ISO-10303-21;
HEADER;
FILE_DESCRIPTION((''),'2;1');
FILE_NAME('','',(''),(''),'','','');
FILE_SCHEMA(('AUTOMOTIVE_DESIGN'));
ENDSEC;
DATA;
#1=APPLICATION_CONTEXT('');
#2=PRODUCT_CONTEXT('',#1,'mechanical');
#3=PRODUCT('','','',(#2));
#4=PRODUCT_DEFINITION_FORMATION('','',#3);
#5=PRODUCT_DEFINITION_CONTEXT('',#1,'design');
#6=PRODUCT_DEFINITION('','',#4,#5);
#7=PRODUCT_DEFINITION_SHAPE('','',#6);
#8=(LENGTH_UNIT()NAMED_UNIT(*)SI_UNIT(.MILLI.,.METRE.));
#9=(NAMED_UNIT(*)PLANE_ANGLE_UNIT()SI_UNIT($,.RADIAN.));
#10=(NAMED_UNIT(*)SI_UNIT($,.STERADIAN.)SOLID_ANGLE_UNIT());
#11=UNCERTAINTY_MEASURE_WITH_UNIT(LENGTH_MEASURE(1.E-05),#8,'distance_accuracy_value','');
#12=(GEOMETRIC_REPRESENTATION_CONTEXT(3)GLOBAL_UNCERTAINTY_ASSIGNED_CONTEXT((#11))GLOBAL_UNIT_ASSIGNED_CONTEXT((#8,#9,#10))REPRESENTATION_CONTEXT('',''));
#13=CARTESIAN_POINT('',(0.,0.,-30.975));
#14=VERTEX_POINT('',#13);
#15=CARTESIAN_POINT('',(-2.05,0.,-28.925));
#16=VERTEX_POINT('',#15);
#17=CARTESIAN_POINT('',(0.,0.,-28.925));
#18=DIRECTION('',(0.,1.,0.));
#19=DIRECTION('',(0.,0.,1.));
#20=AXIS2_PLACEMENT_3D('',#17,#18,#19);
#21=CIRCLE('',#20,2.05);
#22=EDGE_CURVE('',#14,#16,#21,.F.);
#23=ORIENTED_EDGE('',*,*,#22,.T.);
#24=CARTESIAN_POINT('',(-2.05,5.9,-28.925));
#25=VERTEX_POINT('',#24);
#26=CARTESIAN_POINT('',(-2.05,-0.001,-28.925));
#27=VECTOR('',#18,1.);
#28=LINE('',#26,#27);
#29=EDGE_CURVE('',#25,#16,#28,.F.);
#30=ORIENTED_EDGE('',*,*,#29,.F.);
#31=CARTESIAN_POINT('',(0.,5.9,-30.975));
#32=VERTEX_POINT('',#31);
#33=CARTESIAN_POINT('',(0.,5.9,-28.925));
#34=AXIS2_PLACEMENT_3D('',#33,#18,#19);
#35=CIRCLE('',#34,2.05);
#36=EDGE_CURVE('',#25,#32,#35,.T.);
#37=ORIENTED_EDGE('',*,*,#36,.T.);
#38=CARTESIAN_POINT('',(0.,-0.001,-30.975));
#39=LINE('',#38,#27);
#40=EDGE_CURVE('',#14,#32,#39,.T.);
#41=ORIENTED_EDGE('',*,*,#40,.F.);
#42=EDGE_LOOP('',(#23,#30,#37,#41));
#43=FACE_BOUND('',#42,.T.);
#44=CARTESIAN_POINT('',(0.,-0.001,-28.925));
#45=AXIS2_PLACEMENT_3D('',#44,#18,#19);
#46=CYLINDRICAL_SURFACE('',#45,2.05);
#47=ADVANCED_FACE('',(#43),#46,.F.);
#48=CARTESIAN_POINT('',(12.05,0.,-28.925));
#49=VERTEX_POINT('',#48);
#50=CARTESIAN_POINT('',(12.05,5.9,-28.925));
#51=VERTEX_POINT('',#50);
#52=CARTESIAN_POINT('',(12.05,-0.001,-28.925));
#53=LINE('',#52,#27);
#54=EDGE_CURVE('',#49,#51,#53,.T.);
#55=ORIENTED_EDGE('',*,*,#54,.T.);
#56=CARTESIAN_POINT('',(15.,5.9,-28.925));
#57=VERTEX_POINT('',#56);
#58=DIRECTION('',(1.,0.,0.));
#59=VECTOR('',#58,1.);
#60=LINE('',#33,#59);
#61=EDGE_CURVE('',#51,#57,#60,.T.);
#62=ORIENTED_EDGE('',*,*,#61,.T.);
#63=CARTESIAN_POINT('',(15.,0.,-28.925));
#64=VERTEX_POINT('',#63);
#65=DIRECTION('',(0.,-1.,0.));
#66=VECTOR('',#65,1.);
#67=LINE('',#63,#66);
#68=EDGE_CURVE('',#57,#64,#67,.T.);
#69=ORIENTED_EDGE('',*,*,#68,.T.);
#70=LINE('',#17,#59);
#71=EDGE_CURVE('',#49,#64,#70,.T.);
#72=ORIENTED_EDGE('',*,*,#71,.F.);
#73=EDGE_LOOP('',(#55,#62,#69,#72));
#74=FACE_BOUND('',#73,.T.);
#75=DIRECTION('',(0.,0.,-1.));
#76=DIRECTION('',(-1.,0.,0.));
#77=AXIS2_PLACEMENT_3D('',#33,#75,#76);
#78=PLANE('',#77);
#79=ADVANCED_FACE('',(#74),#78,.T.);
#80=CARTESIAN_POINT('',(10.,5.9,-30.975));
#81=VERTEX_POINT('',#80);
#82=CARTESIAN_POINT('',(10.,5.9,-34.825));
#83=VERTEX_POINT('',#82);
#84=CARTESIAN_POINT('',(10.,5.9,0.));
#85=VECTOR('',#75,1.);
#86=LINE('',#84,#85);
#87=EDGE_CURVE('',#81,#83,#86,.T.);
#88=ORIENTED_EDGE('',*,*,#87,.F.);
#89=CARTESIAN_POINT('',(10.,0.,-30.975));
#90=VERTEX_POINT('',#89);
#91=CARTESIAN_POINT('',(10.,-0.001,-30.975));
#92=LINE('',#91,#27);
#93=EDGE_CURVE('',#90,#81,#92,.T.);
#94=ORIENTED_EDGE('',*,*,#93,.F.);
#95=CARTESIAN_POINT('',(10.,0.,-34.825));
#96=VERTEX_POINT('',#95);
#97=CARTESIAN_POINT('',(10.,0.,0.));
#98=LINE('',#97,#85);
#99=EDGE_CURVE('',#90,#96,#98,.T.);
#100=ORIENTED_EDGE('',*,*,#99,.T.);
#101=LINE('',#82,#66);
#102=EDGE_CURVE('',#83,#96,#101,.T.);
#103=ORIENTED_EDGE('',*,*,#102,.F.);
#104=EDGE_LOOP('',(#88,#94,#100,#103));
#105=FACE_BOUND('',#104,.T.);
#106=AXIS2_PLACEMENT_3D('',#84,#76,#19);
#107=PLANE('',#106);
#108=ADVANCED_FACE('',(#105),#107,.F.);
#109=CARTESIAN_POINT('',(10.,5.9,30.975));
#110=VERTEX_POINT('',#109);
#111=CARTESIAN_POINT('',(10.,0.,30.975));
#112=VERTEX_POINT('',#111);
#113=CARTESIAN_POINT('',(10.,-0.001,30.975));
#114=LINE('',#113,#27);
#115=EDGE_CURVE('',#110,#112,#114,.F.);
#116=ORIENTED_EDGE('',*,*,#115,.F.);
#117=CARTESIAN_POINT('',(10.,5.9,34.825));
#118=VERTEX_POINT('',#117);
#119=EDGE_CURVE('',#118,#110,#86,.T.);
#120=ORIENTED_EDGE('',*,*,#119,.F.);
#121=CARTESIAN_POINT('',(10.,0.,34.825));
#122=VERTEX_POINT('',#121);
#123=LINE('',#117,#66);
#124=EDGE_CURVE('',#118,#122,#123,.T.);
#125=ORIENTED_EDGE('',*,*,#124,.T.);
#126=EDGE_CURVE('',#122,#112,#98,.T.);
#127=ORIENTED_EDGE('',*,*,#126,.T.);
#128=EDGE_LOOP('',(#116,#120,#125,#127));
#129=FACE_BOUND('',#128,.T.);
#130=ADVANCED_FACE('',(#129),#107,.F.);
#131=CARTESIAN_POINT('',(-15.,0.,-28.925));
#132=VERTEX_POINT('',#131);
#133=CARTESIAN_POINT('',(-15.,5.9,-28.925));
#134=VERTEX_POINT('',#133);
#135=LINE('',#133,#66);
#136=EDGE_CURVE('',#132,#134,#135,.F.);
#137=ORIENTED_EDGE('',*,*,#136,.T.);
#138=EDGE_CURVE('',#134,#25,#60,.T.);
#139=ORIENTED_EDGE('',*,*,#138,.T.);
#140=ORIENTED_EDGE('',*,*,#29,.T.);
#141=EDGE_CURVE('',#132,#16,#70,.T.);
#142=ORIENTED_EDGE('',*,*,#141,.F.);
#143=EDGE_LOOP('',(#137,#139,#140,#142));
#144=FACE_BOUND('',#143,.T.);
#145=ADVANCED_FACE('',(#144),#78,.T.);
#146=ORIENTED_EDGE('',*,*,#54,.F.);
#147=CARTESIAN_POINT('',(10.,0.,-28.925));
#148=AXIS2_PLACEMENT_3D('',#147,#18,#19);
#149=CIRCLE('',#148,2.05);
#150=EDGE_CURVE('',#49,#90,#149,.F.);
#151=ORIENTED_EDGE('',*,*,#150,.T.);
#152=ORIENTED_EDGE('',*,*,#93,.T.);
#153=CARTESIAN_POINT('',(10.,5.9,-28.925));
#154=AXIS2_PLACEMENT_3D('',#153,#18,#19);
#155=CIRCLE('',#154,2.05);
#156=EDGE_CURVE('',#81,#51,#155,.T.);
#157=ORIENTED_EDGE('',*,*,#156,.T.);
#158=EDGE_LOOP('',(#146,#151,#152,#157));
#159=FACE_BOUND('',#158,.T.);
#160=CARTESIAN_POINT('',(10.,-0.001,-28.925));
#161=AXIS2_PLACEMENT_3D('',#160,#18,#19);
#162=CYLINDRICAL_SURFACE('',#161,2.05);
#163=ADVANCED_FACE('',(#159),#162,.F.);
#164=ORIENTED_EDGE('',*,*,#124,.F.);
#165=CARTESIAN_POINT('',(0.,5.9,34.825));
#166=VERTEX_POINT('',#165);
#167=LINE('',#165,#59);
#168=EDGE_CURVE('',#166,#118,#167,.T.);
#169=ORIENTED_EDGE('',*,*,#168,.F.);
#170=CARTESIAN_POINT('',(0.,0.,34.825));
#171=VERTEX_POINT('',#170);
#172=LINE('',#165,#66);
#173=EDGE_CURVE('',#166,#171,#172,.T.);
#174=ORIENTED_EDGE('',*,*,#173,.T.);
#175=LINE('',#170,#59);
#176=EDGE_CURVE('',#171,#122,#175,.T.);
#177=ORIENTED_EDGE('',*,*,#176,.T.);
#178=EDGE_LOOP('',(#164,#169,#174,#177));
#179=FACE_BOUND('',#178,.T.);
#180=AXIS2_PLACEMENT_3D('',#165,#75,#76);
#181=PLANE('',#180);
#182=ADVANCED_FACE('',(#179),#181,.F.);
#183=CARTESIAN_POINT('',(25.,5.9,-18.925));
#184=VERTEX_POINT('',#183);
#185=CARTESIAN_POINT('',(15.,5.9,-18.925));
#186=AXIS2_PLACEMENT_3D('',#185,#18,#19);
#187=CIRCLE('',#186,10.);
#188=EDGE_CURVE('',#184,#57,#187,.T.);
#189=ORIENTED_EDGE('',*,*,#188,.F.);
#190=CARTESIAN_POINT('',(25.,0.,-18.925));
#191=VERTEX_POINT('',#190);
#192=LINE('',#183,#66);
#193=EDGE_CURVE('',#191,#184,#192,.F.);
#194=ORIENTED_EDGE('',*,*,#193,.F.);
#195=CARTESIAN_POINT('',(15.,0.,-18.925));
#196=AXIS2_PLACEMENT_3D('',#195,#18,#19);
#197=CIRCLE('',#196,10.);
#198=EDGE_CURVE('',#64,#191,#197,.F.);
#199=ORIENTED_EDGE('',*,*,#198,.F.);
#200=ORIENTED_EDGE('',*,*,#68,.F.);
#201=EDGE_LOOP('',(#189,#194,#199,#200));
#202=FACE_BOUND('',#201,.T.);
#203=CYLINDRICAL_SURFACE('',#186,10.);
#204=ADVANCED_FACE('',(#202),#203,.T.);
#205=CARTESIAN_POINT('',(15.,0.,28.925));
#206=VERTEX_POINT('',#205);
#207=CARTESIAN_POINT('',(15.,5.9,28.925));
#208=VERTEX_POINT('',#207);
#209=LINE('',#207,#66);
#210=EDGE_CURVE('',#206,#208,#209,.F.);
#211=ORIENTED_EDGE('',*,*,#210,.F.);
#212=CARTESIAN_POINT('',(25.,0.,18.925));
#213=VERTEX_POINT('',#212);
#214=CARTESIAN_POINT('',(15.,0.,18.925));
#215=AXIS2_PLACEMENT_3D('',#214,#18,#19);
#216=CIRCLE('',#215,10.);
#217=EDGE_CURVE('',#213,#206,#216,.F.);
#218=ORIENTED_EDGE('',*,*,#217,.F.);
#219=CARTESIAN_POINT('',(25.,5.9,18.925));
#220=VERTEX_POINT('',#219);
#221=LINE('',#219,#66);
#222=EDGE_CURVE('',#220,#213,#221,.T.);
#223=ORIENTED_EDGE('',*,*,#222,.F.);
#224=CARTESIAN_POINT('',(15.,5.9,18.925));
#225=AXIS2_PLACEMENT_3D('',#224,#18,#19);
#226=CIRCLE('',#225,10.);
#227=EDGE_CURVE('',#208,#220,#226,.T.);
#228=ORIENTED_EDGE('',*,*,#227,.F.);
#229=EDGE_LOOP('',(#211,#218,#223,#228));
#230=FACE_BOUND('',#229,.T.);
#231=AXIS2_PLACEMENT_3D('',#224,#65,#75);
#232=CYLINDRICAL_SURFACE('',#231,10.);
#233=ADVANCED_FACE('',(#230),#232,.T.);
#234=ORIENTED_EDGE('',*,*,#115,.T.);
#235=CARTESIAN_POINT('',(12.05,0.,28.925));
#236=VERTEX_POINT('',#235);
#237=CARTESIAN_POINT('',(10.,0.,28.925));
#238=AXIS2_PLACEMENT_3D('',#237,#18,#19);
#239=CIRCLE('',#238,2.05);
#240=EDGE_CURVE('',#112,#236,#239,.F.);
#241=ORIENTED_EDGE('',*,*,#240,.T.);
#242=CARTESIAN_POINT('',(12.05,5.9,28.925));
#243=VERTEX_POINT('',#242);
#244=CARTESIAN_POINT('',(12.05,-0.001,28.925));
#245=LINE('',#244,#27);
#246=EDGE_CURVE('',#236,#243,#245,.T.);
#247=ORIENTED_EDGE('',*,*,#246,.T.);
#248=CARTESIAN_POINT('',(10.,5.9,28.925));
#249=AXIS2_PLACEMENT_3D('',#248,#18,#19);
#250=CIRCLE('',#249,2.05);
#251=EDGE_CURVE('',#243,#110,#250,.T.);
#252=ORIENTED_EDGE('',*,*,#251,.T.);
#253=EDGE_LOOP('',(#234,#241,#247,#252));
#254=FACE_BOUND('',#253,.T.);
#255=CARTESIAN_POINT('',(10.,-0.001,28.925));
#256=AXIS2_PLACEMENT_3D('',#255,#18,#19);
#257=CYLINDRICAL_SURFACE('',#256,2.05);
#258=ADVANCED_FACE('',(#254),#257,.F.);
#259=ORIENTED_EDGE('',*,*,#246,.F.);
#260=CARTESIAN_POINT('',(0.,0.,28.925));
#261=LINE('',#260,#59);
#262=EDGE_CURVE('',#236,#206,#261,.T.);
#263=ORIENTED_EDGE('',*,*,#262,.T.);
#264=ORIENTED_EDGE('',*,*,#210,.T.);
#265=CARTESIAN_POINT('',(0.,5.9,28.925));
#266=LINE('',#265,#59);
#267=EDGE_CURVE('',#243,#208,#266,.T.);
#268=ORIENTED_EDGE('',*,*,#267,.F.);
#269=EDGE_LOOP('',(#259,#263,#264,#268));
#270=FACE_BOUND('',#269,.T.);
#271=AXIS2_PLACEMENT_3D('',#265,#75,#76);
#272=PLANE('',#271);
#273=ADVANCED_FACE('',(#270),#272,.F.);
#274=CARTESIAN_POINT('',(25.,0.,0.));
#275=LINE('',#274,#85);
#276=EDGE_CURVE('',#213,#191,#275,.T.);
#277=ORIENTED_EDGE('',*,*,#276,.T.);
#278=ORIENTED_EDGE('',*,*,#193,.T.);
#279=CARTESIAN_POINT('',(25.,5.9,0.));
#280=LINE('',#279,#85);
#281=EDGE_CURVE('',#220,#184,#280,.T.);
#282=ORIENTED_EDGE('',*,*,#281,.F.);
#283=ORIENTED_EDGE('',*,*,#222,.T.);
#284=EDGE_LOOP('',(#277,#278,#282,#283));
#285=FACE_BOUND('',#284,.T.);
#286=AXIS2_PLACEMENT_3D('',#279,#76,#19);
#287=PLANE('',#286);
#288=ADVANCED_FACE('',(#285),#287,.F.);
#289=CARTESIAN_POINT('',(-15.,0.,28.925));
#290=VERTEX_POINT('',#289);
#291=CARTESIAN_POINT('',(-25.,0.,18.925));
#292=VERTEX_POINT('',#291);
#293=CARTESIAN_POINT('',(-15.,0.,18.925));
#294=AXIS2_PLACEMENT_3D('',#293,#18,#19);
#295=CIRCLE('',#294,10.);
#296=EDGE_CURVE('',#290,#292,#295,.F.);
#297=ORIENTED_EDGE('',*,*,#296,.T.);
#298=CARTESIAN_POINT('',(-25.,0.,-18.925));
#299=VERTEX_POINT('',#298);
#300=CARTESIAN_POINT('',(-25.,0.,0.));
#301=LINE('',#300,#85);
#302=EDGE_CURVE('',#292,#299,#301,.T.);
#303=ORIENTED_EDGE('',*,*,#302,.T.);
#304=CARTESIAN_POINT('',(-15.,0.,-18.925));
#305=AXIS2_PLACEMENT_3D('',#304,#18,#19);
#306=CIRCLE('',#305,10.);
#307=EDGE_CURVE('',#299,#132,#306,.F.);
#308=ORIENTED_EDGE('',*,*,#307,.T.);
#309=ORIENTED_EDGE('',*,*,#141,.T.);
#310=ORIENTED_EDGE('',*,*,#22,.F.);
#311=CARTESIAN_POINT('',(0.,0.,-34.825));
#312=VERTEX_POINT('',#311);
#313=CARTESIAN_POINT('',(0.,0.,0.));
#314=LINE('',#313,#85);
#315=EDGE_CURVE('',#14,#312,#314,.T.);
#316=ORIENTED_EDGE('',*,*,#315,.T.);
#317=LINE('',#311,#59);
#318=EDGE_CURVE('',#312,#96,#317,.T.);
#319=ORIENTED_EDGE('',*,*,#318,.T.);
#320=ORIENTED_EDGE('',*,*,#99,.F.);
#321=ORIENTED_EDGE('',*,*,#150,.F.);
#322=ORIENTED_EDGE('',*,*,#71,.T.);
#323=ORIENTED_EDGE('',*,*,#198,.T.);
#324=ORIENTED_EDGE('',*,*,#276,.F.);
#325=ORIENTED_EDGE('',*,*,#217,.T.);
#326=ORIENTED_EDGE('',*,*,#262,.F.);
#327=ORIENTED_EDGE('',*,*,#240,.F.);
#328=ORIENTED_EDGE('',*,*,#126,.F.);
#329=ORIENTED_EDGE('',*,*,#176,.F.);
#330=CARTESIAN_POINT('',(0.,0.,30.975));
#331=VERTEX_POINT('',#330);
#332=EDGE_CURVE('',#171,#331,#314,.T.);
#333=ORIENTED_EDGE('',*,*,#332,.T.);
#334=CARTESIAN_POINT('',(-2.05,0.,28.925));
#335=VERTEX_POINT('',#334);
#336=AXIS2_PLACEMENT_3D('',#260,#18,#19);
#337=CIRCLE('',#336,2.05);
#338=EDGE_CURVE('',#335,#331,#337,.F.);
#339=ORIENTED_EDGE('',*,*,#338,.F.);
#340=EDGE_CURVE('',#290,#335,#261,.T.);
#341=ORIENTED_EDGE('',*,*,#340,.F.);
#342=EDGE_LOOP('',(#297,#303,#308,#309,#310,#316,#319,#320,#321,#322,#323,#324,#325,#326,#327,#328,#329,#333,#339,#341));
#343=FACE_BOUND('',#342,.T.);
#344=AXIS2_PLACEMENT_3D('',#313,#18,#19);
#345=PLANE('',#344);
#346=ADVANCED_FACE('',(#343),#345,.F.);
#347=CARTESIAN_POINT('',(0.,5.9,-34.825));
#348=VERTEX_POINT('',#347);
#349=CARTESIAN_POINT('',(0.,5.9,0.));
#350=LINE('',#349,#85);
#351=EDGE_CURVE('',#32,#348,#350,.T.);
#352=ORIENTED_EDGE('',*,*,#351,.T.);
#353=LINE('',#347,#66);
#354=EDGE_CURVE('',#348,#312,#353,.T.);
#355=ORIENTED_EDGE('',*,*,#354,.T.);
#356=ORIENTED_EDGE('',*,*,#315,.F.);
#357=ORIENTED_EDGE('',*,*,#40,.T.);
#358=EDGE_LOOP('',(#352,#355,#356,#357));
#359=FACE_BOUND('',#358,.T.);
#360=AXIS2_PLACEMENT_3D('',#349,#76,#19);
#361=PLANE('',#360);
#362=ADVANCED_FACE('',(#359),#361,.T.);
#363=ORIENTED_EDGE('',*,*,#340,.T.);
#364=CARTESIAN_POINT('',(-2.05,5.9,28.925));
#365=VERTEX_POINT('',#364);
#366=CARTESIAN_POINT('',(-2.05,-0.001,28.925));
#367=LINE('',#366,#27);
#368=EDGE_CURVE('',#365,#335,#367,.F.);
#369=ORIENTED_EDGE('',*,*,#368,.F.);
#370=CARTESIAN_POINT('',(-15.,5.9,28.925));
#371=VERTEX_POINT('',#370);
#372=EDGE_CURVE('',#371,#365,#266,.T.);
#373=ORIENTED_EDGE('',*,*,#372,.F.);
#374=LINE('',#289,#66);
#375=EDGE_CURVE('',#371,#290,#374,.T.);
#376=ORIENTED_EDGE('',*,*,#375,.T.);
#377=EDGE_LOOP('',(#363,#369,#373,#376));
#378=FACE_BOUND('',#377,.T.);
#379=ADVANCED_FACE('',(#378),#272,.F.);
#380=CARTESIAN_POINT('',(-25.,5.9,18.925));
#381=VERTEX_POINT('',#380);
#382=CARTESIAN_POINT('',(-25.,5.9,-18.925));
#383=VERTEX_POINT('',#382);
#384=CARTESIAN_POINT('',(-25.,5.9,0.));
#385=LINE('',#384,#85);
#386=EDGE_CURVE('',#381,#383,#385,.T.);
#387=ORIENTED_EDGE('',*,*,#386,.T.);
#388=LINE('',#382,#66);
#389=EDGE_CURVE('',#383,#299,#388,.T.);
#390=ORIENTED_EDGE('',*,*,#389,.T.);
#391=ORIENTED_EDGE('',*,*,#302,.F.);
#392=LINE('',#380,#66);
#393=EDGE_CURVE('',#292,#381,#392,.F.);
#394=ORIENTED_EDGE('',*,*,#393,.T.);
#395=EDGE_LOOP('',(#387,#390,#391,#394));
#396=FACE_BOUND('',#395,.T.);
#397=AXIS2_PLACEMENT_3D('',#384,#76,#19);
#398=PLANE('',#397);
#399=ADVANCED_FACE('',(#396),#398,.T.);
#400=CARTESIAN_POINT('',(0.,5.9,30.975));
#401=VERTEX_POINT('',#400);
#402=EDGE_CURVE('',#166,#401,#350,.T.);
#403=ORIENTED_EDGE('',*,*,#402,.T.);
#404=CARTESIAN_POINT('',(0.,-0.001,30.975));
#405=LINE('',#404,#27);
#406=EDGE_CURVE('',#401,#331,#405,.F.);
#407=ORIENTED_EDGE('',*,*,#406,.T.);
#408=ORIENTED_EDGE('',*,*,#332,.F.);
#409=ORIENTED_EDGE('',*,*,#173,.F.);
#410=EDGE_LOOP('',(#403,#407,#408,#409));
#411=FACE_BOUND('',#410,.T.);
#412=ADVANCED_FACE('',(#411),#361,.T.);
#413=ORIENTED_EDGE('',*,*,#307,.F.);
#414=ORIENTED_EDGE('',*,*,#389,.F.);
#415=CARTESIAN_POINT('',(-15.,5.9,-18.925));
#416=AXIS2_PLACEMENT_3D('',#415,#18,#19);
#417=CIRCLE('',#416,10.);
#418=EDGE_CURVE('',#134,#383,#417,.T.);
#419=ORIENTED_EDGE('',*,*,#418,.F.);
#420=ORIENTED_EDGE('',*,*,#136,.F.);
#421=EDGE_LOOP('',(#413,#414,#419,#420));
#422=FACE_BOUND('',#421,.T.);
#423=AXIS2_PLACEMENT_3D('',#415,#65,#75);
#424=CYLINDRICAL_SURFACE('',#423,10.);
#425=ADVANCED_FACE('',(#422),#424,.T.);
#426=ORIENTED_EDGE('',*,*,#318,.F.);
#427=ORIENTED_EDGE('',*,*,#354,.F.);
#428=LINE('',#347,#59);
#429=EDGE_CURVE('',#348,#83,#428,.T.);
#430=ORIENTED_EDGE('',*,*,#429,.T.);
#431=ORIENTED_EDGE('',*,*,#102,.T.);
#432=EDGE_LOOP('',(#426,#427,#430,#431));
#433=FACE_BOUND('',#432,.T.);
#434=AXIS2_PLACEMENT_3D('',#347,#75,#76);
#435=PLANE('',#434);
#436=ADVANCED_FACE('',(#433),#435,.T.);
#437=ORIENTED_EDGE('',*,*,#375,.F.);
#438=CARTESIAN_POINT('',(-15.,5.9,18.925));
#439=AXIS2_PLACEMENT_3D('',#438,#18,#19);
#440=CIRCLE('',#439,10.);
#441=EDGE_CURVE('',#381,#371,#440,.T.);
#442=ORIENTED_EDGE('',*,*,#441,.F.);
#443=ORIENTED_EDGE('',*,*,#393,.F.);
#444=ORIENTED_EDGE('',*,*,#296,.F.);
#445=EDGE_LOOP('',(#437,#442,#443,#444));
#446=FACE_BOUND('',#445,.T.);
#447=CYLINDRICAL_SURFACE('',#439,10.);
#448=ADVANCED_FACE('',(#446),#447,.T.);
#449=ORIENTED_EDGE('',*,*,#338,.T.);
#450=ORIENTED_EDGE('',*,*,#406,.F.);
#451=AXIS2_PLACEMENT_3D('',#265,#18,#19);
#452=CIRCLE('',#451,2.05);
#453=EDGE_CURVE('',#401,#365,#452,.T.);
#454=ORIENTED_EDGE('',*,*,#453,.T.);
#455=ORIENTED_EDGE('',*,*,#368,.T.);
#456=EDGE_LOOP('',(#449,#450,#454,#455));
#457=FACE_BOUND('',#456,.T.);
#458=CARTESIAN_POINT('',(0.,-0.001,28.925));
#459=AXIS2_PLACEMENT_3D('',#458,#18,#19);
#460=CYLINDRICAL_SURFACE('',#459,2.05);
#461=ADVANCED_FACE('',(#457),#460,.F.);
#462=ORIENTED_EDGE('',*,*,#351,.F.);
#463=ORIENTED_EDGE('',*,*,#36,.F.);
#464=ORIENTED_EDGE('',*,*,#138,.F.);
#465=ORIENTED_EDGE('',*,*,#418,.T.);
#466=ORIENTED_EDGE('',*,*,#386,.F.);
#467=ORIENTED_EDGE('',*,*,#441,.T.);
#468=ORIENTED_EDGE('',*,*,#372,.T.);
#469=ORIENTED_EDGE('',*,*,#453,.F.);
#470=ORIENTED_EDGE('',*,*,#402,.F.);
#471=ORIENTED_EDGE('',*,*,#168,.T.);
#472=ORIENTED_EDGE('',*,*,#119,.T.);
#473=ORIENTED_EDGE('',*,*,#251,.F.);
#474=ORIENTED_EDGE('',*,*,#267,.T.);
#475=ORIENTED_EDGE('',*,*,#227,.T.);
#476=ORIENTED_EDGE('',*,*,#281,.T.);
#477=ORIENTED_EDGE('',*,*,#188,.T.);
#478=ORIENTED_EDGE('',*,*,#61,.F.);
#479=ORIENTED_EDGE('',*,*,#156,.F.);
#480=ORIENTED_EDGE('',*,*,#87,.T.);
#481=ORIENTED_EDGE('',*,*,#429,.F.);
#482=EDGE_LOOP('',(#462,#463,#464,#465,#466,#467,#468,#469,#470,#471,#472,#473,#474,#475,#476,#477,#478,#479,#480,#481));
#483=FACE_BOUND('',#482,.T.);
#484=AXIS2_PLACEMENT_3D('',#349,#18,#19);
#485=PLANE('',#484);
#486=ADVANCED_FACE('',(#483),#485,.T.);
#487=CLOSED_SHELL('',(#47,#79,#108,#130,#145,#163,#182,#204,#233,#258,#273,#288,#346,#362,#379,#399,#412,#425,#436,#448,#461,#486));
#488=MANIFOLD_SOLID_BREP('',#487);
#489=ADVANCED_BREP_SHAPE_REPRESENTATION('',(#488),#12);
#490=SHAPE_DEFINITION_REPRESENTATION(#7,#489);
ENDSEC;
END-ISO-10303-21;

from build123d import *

# Parameters (mm, degrees)
SKETCH1_W           = 10
SKETCH1_H           = 5.9
BOSS_EXTRUDE1_DEPTH = 5.9
FILLET1_R           = 10
CUT_EXTRUDE1_REACH  = 7.9
SKETCH2_R           = 2.05


with BuildPart() as part:
    # Sketch1 → Boss-Extrude1 (new body)
    with BuildSketch(Plane(origin=(0, 0, 0), x_dir=(1, 0, 0), z_dir=(0, 1, 0))):
        Polygon((-25, 28.925), (-25, -28.925), (0, -28.925), (0, -23.025), (10, -23.025), (10, -28.925), (25, -28.925), (25, 28.925), (10, 28.925), (10, 23.025), (0, 23.025), (0, 28.925), align=None)
        with Locations((5, -25.975)):
            Rectangle(SKETCH1_W, SKETCH1_H)
        with Locations((5, -31.875)):
            Rectangle(SKETCH1_W, SKETCH1_H)
        with Locations((5, 25.975)):
            Rectangle(SKETCH1_W, SKETCH1_H)
        with Locations((5, 31.875)):
            Rectangle(SKETCH1_W, SKETCH1_H)
    extrude(amount=BOSS_EXTRUDE1_DEPTH)

    # Fillet1
    fillet1_edges = [part.edges().sort_by_distance(p)[0] for p in [
        (25, 2.95, -28.925),
        (25, 2.95, 28.925),
        (-25, 2.95, 28.925),
        (-25, 2.95, -28.925),
    ]]
    fillet(fillet1_edges, radius=FILLET1_R)

    # Sketch2 → Cut-Extrude1 (cut, up to next)
    with BuildSketch(Plane(origin=(0, 5.9, 0), x_dir=(1, 0, 0), z_dir=(0, 1, 0)), mode=Mode.PRIVATE) as cut_extrude1_sk1:
        with Locations((0, 28.925)):
            Circle(SKETCH2_R)
    cut_extrude1_tool1 = extrude(cut_extrude1_sk1.sketch, amount=-CUT_EXTRUDE1_REACH, mode=Mode.PRIVATE) & part.part
    add(cut_extrude1_tool1.solids().sort_by_distance((0, 5.9, -28.925))[0], mode=Mode.SUBTRACT)
    # Sketch2 → Cut-Extrude1 (cut, up to next)
    with BuildSketch(Plane(origin=(0, 5.9, 0), x_dir=(1, 0, 0), z_dir=(0, 1, 0)), mode=Mode.PRIVATE) as cut_extrude1_sk2:
        with Locations((10, 28.925)):
            Circle(SKETCH2_R)
    cut_extrude1_tool2 = extrude(cut_extrude1_sk2.sketch, amount=-CUT_EXTRUDE1_REACH, mode=Mode.PRIVATE) & part.part
    add(cut_extrude1_tool2.solids().sort_by_distance((10, 5.9, -28.925))[0], mode=Mode.SUBTRACT)
    # Sketch2 → Cut-Extrude1 (cut, up to next)
    with BuildSketch(Plane(origin=(0, 5.9, 0), x_dir=(1, 0, 0), z_dir=(0, 1, 0)), mode=Mode.PRIVATE) as cut_extrude1_sk3:
        with Locations((0, -28.925)):
            Circle(SKETCH2_R)
    cut_extrude1_tool3 = extrude(cut_extrude1_sk3.sketch, amount=-CUT_EXTRUDE1_REACH, mode=Mode.PRIVATE) & part.part
    add(cut_extrude1_tool3.solids().sort_by_distance((0, 5.9, 28.925))[0], mode=Mode.SUBTRACT)
    # Sketch2 → Cut-Extrude1 (cut, up to next)
    with BuildSketch(Plane(origin=(0, 5.9, 0), x_dir=(1, 0, 0), z_dir=(0, 1, 0)), mode=Mode.PRIVATE) as cut_extrude1_sk4:
        with Locations((10, -28.925)):
            Circle(SKETCH2_R)
    cut_extrude1_tool4 = extrude(cut_extrude1_sk4.sketch, amount=-CUT_EXTRUDE1_REACH, mode=Mode.PRIVATE) & part.part
    add(cut_extrude1_tool4.solids().sort_by_distance((10, 5.9, 28.925))[0], mode=Mode.SUBTRACT)


solid = part.part
